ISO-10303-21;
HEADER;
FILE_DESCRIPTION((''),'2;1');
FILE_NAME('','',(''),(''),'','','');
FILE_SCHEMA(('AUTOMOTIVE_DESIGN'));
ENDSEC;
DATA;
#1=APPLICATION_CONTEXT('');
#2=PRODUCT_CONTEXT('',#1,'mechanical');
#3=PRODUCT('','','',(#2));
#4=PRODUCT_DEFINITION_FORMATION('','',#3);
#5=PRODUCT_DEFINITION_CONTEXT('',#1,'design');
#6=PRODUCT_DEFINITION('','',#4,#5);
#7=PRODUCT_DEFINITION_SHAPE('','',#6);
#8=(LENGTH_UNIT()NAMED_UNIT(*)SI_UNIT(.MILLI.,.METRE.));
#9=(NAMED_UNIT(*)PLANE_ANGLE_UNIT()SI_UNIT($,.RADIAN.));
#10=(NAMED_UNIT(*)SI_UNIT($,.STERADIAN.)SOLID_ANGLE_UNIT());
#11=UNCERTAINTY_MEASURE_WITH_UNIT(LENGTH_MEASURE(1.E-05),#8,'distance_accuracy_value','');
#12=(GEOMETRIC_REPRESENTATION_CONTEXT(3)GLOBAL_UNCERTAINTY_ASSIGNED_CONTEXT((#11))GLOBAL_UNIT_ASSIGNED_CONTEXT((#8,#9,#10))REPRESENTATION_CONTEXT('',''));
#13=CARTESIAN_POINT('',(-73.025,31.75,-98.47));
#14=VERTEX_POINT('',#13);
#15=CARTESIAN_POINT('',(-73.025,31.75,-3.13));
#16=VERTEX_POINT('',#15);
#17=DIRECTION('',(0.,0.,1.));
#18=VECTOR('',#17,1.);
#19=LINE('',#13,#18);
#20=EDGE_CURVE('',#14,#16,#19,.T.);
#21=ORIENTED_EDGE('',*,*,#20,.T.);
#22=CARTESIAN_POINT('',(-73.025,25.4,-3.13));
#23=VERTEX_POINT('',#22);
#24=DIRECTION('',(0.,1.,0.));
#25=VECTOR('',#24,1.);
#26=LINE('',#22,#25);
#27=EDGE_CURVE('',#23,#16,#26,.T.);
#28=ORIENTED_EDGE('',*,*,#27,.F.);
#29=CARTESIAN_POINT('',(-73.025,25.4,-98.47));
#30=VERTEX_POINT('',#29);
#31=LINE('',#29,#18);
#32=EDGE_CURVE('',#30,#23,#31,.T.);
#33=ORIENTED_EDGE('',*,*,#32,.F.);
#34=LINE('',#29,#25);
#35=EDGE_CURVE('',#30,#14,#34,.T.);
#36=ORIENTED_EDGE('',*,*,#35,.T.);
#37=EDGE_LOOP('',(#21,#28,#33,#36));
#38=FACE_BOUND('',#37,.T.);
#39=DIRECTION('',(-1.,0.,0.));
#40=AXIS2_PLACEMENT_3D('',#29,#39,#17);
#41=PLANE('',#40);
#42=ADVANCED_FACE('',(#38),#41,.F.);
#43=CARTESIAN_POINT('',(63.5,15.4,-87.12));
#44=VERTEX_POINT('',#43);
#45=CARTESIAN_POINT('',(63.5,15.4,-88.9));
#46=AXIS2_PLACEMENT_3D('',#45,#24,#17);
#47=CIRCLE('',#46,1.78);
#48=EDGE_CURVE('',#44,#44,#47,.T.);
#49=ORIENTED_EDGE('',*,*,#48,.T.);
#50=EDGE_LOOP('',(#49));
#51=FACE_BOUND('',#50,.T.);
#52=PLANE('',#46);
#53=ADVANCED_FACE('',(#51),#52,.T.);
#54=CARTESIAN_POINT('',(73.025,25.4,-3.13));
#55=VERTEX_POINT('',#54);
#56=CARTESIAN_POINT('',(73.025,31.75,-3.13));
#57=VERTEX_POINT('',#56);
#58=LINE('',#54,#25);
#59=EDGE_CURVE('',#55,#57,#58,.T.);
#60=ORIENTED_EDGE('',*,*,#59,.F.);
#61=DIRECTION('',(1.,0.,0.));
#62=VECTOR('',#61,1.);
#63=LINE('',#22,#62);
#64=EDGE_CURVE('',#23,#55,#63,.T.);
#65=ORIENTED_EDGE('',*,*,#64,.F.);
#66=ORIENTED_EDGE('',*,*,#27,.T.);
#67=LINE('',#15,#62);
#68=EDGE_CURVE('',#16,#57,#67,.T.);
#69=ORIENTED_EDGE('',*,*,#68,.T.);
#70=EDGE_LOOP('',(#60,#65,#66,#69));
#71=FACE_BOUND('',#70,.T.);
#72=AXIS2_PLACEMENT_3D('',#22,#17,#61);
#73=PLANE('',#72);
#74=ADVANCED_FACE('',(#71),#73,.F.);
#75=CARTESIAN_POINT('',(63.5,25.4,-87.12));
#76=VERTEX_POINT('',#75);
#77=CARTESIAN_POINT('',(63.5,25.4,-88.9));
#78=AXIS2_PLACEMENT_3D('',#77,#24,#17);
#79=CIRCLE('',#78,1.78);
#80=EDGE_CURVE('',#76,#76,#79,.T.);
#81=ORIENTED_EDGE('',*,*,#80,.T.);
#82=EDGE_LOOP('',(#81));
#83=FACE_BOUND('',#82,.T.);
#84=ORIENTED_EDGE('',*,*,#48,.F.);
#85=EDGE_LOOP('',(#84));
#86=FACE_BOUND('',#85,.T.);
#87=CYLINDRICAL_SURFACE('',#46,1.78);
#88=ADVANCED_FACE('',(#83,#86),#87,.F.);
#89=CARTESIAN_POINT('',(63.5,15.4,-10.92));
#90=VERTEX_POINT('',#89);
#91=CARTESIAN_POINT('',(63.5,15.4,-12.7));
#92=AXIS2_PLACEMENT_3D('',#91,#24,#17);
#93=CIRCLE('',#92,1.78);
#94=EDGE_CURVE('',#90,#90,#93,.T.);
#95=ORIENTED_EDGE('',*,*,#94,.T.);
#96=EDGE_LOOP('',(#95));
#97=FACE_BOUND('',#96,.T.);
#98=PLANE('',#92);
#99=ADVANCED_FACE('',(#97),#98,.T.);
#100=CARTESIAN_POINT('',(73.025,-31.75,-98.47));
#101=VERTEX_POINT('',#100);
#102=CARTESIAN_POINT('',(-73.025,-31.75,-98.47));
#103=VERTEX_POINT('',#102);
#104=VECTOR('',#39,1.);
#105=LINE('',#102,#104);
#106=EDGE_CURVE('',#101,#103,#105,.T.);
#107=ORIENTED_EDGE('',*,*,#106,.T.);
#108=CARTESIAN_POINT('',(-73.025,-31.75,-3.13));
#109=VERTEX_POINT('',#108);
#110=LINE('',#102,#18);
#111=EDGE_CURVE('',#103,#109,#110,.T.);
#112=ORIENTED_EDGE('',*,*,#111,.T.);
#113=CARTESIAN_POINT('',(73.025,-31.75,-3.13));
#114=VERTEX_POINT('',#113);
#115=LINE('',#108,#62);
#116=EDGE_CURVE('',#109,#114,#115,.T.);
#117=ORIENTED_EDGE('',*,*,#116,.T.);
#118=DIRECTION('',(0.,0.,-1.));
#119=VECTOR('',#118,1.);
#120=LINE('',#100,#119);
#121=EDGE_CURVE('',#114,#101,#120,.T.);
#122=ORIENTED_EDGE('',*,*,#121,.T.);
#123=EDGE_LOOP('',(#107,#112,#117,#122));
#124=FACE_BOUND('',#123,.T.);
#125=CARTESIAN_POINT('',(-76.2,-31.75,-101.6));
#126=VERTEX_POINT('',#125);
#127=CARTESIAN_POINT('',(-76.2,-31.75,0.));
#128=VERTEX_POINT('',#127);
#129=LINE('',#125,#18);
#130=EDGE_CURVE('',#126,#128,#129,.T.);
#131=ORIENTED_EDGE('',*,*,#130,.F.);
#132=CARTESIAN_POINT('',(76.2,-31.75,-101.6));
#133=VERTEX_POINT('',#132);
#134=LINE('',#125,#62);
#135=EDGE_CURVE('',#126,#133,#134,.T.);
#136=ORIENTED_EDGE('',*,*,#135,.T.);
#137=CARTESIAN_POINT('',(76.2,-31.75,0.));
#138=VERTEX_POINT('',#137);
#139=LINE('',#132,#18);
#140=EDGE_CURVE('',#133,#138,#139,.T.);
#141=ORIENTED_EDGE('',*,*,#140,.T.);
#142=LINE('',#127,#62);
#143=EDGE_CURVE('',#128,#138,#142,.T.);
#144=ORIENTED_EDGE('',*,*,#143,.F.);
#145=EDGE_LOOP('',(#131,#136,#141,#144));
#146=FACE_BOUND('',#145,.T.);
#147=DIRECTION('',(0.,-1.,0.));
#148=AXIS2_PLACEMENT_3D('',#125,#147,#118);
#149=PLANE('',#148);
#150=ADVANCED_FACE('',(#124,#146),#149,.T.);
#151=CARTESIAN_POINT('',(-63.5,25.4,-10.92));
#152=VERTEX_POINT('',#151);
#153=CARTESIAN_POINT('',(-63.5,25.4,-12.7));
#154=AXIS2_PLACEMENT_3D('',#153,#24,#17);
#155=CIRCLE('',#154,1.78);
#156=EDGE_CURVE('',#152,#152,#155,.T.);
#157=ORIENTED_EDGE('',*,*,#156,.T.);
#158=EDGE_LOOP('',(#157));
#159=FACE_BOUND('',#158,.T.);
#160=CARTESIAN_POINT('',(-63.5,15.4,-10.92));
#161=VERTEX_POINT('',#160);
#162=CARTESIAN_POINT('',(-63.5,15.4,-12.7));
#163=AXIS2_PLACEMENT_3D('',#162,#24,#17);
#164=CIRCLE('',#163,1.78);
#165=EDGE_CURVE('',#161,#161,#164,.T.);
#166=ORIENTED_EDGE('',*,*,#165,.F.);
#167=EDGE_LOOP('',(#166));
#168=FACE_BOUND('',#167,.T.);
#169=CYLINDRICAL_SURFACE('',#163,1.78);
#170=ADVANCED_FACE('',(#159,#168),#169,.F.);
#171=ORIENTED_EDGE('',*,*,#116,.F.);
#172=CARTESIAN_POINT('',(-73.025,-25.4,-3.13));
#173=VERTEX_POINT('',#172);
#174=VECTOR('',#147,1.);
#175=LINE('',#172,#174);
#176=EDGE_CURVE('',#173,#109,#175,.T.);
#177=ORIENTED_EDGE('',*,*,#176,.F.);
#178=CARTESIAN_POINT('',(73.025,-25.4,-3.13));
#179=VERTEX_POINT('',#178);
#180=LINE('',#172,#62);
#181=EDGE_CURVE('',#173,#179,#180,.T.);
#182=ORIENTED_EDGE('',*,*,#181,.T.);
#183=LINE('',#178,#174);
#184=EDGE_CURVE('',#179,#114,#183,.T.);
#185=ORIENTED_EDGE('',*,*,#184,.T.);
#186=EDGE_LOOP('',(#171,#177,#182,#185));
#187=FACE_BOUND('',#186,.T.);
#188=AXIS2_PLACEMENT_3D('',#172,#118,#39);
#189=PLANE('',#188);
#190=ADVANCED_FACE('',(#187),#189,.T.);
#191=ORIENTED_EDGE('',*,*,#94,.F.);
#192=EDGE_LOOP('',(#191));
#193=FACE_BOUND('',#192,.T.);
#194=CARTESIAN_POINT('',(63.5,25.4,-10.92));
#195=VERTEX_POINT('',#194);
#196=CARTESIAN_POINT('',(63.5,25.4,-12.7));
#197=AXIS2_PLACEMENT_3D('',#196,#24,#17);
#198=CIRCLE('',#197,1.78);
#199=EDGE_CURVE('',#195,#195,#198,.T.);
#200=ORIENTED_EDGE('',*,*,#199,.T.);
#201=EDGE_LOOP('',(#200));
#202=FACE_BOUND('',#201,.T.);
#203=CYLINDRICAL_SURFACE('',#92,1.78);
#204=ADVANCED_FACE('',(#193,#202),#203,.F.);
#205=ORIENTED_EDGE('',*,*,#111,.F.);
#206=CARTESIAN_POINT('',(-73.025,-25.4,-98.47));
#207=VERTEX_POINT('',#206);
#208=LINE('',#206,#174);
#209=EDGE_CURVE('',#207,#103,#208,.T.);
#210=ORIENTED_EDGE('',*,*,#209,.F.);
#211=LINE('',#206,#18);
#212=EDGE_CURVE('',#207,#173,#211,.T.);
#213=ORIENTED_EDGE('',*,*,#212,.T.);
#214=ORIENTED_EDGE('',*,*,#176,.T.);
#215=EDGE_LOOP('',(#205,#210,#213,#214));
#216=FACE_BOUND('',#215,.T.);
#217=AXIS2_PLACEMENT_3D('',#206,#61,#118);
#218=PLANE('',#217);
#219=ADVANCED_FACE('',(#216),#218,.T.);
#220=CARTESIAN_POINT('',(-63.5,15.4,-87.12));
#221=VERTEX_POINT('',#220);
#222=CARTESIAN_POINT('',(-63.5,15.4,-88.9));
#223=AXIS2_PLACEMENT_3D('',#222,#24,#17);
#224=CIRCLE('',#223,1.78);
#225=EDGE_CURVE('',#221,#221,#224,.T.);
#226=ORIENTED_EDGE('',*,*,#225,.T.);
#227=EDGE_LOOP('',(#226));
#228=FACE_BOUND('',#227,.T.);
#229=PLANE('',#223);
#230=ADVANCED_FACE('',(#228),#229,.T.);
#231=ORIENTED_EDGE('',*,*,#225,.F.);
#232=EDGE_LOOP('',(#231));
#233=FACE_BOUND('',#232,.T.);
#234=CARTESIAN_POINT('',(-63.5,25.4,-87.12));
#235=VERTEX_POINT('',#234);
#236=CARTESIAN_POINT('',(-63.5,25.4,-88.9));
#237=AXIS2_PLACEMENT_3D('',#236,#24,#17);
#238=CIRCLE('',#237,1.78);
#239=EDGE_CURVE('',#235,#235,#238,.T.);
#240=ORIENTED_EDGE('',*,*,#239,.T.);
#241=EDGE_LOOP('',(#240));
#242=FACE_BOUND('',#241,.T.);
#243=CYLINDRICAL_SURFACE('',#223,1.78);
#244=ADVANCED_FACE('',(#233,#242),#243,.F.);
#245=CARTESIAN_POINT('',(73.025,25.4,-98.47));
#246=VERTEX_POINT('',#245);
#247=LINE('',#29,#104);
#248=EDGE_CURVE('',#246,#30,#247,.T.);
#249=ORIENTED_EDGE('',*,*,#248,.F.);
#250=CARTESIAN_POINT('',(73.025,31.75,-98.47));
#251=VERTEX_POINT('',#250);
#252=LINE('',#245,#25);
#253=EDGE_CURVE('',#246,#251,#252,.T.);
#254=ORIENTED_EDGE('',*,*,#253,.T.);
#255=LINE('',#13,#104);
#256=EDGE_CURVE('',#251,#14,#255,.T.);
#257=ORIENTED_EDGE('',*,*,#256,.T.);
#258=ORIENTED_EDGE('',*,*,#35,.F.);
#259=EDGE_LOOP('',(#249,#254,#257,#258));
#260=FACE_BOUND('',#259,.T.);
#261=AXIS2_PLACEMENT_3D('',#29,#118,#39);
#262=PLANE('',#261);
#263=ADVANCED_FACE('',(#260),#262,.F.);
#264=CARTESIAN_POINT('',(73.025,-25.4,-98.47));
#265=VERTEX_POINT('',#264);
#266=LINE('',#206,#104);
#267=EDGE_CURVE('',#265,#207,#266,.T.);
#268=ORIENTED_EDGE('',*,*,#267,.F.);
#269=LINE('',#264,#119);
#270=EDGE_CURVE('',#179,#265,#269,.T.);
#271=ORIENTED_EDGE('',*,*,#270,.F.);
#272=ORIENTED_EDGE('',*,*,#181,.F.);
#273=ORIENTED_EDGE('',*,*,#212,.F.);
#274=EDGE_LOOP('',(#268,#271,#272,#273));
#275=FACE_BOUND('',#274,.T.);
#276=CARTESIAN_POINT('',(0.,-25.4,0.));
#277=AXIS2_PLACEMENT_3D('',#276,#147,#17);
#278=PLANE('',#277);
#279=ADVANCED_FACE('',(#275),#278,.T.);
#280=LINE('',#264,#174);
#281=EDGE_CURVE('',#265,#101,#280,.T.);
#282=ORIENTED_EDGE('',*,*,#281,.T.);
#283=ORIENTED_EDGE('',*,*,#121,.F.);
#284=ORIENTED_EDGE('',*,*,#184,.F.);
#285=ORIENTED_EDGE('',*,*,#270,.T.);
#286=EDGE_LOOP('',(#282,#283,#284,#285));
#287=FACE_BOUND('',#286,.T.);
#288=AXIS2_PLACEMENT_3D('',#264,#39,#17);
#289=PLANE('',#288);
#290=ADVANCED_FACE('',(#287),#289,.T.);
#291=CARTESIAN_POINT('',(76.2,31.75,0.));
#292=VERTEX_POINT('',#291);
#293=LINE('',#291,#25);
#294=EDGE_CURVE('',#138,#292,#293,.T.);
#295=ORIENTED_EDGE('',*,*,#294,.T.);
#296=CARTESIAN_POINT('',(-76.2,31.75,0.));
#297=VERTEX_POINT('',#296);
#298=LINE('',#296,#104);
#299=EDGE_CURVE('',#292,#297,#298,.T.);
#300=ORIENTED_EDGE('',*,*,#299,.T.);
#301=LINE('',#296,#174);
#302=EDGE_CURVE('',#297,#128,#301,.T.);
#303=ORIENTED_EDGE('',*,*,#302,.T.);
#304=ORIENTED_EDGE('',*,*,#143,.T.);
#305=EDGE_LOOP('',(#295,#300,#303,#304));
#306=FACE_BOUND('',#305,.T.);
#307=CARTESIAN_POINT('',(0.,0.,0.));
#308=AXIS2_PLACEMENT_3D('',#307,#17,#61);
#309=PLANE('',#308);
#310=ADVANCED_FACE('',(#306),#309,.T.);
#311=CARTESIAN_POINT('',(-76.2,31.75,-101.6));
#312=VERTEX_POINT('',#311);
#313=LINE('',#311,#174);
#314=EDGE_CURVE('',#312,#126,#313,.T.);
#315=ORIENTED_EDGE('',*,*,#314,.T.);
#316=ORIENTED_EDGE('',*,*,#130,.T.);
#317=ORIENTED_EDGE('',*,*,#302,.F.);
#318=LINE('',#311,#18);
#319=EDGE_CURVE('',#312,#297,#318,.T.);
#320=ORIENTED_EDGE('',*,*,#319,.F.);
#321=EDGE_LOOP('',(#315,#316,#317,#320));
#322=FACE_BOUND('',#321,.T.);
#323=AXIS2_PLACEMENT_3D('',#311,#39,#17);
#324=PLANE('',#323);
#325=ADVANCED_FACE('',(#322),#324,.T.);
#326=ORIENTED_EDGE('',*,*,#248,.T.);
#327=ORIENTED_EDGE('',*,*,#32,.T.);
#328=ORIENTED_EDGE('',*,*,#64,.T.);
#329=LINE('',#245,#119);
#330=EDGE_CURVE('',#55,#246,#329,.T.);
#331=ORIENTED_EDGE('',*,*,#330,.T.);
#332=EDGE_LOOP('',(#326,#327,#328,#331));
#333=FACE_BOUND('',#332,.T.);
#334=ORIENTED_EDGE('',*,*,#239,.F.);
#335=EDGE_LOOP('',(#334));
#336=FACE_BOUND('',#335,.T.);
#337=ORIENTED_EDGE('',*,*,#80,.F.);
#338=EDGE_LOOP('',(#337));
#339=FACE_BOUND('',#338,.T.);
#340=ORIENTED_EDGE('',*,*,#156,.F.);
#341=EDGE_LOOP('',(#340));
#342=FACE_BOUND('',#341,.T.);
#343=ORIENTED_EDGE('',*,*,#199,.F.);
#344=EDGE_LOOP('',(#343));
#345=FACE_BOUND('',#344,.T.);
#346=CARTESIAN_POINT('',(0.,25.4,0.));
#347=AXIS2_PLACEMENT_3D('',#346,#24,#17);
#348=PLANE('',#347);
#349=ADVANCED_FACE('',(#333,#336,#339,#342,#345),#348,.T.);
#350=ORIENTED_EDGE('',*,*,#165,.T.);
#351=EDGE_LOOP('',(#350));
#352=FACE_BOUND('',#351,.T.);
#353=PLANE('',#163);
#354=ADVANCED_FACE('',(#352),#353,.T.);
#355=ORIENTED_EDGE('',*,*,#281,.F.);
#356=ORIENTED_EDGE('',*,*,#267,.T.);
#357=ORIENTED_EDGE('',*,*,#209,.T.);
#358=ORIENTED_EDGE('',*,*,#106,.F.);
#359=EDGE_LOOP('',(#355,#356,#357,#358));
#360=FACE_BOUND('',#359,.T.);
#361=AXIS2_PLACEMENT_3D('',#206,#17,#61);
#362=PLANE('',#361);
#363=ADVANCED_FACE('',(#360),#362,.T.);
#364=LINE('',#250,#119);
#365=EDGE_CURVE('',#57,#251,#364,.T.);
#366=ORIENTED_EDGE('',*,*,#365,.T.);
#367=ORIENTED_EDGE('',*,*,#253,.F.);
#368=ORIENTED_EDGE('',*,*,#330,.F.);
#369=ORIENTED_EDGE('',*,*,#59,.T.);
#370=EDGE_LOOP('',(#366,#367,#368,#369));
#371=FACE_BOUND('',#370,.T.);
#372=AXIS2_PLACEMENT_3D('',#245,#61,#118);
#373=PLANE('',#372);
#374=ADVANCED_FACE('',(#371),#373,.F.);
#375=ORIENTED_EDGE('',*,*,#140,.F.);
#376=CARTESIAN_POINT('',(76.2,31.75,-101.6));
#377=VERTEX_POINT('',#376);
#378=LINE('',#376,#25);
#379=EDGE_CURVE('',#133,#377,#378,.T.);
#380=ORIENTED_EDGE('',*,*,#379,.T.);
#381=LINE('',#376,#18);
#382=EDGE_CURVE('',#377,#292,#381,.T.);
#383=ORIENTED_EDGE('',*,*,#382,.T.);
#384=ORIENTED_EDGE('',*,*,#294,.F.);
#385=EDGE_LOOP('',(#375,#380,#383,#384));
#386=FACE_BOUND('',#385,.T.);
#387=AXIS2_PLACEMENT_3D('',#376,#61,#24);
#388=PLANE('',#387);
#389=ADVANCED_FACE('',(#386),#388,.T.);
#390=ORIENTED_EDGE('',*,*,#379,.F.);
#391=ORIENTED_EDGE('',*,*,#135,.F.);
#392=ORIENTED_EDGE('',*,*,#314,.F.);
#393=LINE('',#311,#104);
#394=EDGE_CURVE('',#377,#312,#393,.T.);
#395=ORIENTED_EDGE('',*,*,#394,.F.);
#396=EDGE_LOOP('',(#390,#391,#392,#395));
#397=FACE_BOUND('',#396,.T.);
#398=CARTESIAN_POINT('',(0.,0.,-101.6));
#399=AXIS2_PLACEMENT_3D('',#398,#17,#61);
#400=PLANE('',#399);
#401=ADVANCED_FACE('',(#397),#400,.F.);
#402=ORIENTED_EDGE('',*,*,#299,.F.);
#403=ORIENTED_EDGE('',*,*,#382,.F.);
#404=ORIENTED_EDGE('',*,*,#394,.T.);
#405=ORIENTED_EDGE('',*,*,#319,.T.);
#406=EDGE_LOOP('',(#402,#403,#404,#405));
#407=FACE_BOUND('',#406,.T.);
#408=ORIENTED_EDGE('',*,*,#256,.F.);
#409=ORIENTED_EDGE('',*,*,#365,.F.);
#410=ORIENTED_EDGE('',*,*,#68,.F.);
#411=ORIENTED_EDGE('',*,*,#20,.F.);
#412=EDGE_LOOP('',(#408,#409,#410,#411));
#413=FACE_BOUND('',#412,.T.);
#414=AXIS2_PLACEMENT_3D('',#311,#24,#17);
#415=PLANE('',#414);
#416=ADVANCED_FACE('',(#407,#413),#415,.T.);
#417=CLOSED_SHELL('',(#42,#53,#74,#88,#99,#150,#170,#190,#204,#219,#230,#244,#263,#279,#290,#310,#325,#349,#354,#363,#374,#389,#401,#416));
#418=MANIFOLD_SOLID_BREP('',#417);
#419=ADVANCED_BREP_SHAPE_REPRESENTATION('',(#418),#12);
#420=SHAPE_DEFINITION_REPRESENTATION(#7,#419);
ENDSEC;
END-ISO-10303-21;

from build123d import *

# Parameters (mm, degrees)
SKETCH1_W           = 152.4
SKETCH1_H           = 63.5
BOSS_EXTRUDE1_DEPTH = 101.6
SKETCH3_W           = 146.05
SKETCH3_H           = 95.34
CUT_EXTRUDE1_DEPTH  = 6.35
SKETCH4_R           = 1.78
CUT_EXTRUDE2_DEPTH  = 10


with BuildPart() as part:
    # Sketch1 → Boss-Extrude1 (new body)
    with BuildSketch(Plane.XY):
        Rectangle(SKETCH1_W, SKETCH1_H)
    extrude(amount=-BOSS_EXTRUDE1_DEPTH)

    # Sketch3 → Cut-Extrude1 (cut)
    with BuildSketch(Plane(origin=(0, 31.75, 0), x_dir=(1, 0, 0), z_dir=(0, 1, 0))):
        with Locations((0, 50.8)):
            Rectangle(SKETCH3_W, SKETCH3_H)
    cut_extrude1 = extrude(amount=-CUT_EXTRUDE1_DEPTH, mode=Mode.SUBTRACT)

    # Mirror1: Cut-Extrude1 across plane
    add(cut_extrude1.mirror(Plane.ZX), mode=Mode.SUBTRACT)

    # Sketch4 → Cut-Extrude2 (cut)
    with BuildSketch(Plane(origin=(0, 25.4, 0), x_dir=(1, 0, 0), z_dir=(0, 1, 0))):
        with Locations((63.5, 88.9)):
            Circle(SKETCH4_R)
        with Locations((63.5, 12.7)):
            Circle(SKETCH4_R)
        with Locations((-63.5, 88.9)):
            Circle(SKETCH4_R)
        with Locations((-63.5, 12.7)):
            Circle(SKETCH4_R)
    extrude(amount=-CUT_EXTRUDE2_DEPTH, mode=Mode.SUBTRACT)


solid = part.part
